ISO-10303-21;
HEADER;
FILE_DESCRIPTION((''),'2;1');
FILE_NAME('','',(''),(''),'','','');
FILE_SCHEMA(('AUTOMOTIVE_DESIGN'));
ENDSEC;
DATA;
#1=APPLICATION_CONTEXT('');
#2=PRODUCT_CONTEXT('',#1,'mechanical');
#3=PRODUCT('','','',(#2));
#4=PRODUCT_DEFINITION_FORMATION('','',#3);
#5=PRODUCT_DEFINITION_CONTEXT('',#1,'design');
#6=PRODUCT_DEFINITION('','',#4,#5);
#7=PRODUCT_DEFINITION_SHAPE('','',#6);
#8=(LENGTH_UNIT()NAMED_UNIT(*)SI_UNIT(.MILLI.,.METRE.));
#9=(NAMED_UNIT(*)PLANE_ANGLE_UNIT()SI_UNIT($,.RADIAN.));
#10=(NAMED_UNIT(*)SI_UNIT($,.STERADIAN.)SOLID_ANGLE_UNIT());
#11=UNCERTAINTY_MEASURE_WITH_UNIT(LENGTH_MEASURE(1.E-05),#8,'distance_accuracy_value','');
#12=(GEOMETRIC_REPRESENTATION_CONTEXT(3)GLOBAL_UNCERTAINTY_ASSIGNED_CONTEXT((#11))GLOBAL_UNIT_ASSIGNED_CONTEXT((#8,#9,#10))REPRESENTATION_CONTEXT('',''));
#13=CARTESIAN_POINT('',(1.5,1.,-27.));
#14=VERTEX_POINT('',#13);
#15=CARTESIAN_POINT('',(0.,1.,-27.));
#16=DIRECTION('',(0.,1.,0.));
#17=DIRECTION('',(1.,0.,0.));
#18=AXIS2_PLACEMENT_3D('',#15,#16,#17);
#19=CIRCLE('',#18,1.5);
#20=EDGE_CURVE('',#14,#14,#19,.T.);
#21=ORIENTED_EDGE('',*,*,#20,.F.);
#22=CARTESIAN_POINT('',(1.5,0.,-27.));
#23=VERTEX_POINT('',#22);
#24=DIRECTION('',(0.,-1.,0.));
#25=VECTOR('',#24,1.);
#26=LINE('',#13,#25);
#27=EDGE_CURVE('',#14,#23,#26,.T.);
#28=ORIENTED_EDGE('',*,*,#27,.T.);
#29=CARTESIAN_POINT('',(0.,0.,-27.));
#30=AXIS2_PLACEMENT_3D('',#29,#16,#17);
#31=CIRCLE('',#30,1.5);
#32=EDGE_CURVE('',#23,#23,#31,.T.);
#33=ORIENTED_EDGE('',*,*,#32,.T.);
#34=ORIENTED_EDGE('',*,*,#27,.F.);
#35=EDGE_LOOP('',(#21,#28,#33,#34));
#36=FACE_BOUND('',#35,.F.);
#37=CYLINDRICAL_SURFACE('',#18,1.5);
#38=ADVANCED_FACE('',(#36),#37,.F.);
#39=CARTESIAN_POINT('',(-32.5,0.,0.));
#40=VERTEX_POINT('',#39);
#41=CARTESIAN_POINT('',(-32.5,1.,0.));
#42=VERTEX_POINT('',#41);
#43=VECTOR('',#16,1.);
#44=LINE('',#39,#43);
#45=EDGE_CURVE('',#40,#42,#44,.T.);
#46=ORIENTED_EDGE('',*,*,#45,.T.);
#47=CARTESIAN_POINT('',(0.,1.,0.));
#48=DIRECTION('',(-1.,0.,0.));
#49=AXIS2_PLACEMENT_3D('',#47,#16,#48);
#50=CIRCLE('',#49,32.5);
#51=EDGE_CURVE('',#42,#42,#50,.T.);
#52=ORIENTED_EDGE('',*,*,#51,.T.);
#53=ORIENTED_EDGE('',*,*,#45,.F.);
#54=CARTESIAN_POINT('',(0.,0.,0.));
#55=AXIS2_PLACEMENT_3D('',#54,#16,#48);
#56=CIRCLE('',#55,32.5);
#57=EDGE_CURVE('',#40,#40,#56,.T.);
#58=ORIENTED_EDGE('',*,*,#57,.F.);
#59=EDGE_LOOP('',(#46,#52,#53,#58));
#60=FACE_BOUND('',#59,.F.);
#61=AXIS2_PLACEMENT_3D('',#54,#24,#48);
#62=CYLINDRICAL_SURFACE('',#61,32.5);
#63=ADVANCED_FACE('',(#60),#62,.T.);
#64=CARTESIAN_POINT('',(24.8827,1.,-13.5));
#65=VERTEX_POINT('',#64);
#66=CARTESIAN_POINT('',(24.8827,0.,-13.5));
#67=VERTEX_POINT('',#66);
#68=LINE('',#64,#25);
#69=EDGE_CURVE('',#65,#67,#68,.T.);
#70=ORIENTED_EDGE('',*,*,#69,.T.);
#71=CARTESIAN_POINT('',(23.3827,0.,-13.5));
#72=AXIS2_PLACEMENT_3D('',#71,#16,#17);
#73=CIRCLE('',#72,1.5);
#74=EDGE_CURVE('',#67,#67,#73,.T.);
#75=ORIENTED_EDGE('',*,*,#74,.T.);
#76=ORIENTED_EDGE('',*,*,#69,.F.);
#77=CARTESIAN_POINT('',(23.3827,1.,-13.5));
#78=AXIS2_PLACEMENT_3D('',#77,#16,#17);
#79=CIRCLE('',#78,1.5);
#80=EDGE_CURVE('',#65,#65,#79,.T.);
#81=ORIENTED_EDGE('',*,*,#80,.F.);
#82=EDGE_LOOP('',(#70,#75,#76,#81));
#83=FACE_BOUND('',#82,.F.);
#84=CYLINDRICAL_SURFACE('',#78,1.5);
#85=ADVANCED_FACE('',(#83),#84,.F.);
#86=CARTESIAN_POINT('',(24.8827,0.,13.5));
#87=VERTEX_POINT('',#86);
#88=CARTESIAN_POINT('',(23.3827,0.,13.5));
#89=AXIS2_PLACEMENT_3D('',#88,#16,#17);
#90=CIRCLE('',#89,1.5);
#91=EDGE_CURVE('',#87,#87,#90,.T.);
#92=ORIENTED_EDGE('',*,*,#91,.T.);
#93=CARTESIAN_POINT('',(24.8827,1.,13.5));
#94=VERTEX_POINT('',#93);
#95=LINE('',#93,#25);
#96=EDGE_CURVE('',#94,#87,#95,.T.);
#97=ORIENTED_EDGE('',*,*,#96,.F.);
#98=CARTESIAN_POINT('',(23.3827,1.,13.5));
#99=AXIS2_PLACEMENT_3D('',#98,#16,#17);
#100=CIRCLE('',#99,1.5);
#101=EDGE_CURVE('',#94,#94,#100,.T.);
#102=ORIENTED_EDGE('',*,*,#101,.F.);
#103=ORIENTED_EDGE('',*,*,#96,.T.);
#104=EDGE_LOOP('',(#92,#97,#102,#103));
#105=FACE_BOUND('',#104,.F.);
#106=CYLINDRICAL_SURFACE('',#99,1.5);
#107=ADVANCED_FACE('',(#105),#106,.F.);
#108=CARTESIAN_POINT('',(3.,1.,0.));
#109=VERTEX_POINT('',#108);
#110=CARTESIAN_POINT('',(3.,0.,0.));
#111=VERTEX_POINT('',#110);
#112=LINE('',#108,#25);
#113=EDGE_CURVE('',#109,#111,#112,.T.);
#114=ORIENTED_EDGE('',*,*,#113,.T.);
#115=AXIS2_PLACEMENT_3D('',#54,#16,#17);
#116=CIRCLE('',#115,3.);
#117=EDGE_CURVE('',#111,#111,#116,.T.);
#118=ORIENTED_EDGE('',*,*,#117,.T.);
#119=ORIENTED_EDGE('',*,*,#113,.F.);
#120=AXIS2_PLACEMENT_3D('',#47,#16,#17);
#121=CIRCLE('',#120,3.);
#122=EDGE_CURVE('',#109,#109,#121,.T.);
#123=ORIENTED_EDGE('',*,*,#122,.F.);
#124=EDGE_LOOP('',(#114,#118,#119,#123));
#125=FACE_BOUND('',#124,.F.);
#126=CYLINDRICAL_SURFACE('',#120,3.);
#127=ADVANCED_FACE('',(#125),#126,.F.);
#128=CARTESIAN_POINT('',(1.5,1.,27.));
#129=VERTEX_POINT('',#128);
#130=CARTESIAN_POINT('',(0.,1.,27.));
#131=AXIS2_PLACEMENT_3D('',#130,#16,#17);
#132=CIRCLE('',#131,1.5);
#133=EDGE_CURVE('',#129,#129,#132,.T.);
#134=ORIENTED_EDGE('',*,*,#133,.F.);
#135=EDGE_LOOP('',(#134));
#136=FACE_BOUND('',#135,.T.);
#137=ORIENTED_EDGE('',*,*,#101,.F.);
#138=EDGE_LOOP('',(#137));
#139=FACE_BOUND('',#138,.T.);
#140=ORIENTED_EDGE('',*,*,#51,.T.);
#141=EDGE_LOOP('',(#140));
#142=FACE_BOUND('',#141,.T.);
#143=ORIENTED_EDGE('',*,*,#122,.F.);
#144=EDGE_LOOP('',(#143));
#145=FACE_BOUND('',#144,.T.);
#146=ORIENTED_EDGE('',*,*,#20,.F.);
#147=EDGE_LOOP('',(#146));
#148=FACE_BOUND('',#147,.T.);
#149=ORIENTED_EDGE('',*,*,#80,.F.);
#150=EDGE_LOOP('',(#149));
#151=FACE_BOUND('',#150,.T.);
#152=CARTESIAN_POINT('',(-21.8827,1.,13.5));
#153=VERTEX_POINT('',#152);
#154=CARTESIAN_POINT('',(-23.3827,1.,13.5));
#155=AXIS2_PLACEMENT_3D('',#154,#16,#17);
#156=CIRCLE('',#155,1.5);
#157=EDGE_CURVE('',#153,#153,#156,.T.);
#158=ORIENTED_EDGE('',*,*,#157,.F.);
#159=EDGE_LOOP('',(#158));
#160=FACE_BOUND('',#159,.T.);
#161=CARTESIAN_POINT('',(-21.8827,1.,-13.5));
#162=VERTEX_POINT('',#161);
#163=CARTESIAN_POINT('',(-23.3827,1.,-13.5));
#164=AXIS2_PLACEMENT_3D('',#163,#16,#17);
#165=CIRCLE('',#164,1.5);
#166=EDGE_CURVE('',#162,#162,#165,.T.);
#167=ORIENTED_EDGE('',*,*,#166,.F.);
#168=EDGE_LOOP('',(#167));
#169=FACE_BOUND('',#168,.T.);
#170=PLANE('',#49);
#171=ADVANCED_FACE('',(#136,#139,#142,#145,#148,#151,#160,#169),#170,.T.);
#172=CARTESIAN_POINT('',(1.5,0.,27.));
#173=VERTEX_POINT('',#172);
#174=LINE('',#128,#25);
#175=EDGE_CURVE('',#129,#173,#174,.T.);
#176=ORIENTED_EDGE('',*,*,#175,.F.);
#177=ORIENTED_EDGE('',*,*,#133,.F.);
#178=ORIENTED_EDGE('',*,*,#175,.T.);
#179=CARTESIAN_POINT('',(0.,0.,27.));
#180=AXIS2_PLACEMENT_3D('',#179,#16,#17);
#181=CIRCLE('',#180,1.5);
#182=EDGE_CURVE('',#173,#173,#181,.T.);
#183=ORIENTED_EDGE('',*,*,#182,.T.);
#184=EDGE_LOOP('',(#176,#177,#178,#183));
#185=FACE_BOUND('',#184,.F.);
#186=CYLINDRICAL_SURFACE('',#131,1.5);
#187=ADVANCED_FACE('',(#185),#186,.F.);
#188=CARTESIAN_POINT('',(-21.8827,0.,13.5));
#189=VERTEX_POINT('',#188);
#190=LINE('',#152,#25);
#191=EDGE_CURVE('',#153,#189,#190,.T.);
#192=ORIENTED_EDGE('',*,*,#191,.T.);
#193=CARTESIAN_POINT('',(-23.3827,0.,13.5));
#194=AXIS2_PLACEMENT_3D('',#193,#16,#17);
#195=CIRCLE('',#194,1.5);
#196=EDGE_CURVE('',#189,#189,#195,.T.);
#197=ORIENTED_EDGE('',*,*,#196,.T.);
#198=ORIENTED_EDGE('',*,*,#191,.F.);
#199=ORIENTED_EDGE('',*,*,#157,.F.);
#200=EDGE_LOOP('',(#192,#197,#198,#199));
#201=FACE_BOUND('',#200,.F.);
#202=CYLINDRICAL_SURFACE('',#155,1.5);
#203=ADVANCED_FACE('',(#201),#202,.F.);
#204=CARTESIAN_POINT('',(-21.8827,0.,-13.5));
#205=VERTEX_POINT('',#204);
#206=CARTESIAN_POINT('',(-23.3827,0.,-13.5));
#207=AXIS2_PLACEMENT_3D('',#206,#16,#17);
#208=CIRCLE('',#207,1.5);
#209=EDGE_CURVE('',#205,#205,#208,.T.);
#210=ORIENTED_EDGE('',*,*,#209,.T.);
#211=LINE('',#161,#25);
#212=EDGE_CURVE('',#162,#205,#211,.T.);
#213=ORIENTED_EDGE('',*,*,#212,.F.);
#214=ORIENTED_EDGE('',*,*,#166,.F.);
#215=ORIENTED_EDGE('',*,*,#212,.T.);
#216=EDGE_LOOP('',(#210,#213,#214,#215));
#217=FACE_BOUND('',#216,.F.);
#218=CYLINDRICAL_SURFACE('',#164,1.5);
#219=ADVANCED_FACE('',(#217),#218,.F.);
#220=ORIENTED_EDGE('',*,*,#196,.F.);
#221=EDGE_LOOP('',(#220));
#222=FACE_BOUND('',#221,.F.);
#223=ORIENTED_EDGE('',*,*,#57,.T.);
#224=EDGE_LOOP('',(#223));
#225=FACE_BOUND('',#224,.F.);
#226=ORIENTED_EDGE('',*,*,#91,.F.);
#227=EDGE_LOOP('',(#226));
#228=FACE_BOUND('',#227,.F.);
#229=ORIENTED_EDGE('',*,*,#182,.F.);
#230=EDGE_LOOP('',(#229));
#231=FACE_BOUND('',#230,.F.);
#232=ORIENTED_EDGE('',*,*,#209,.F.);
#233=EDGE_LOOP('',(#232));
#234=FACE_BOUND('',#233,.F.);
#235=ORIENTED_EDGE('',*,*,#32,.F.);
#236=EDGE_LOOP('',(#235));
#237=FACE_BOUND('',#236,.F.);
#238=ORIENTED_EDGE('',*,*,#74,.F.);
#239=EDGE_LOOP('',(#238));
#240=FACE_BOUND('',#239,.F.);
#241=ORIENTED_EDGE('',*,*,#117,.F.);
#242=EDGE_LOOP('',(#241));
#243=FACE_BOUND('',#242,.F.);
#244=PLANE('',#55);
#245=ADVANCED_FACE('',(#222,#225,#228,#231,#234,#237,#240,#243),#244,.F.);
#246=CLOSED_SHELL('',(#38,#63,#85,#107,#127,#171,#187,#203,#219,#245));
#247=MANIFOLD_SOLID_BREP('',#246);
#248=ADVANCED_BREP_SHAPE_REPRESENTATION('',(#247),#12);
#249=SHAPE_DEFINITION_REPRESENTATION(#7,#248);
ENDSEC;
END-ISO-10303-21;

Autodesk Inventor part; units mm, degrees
ref_plane "YZ Plane" through (0, 0, 0) normal (1, 0, 0) x (0, 1, 0)
ref_plane "XZ Plane" through (0, 0, 0) normal (0, 1, 0) x (-1, 0, 0)
ref_plane "XY Plane" through (0, 0, 0) normal (0, 0, 1) x (1, 0, 0)
sketch "Esquisse1" plane through (0, 0, 0) normal (0, 1, 0) x (-1, 0, 0)
  circle A0 centre (0, 0) radius 32.5
  dimension "d0" = 65
extrude "Extrusion1" add sketch "Esquisse1" along normal blind 1
sketch "Esquisse2" plane through (0, 1, 0) normal (0, 1, 0) x (1, 0, 0)
  circle A0 centre (0, 0) radius 32.5 projected
  circle A1 centre (0, 0) radius 3
  dimension "d3" = 6
extrude "Extrusion2" cut sketch "Esquisse2" against normal through all contours A1
sketch "Esquisse3" plane through (0, 1, 0) normal (0, 1, 0) x (1, 0, 0)
  circle A0 centre (0, 0) radius 3 projected
  circle A1 centre (0, 0) radius 32.5 projected
  line L0 (0, 0) -> (0, 32.5) construction
  circle A2 centre (0, 27) radius 1.5
  circle A3 centre (-23.3827, 13.5) radius 1.5
  circle A4 centre (-23.3827, -13.5) radius 1.5
  circle A5 centre (0, -27) radius 1.5
  circle A6 centre (23.3827, -13.5) radius 1.5
  circle A7 centre (23.3827, 13.5) radius 1.5
  dimension "d6" = 27
  dimension "d7" = 3
  dimension "d10" = 360
extrude "Extrusion3" cut sketch "Esquisse3" against normal through all contours A2 | A3 | A4 | A5 | A6 | A7
properties part number "wheel_adapter"
